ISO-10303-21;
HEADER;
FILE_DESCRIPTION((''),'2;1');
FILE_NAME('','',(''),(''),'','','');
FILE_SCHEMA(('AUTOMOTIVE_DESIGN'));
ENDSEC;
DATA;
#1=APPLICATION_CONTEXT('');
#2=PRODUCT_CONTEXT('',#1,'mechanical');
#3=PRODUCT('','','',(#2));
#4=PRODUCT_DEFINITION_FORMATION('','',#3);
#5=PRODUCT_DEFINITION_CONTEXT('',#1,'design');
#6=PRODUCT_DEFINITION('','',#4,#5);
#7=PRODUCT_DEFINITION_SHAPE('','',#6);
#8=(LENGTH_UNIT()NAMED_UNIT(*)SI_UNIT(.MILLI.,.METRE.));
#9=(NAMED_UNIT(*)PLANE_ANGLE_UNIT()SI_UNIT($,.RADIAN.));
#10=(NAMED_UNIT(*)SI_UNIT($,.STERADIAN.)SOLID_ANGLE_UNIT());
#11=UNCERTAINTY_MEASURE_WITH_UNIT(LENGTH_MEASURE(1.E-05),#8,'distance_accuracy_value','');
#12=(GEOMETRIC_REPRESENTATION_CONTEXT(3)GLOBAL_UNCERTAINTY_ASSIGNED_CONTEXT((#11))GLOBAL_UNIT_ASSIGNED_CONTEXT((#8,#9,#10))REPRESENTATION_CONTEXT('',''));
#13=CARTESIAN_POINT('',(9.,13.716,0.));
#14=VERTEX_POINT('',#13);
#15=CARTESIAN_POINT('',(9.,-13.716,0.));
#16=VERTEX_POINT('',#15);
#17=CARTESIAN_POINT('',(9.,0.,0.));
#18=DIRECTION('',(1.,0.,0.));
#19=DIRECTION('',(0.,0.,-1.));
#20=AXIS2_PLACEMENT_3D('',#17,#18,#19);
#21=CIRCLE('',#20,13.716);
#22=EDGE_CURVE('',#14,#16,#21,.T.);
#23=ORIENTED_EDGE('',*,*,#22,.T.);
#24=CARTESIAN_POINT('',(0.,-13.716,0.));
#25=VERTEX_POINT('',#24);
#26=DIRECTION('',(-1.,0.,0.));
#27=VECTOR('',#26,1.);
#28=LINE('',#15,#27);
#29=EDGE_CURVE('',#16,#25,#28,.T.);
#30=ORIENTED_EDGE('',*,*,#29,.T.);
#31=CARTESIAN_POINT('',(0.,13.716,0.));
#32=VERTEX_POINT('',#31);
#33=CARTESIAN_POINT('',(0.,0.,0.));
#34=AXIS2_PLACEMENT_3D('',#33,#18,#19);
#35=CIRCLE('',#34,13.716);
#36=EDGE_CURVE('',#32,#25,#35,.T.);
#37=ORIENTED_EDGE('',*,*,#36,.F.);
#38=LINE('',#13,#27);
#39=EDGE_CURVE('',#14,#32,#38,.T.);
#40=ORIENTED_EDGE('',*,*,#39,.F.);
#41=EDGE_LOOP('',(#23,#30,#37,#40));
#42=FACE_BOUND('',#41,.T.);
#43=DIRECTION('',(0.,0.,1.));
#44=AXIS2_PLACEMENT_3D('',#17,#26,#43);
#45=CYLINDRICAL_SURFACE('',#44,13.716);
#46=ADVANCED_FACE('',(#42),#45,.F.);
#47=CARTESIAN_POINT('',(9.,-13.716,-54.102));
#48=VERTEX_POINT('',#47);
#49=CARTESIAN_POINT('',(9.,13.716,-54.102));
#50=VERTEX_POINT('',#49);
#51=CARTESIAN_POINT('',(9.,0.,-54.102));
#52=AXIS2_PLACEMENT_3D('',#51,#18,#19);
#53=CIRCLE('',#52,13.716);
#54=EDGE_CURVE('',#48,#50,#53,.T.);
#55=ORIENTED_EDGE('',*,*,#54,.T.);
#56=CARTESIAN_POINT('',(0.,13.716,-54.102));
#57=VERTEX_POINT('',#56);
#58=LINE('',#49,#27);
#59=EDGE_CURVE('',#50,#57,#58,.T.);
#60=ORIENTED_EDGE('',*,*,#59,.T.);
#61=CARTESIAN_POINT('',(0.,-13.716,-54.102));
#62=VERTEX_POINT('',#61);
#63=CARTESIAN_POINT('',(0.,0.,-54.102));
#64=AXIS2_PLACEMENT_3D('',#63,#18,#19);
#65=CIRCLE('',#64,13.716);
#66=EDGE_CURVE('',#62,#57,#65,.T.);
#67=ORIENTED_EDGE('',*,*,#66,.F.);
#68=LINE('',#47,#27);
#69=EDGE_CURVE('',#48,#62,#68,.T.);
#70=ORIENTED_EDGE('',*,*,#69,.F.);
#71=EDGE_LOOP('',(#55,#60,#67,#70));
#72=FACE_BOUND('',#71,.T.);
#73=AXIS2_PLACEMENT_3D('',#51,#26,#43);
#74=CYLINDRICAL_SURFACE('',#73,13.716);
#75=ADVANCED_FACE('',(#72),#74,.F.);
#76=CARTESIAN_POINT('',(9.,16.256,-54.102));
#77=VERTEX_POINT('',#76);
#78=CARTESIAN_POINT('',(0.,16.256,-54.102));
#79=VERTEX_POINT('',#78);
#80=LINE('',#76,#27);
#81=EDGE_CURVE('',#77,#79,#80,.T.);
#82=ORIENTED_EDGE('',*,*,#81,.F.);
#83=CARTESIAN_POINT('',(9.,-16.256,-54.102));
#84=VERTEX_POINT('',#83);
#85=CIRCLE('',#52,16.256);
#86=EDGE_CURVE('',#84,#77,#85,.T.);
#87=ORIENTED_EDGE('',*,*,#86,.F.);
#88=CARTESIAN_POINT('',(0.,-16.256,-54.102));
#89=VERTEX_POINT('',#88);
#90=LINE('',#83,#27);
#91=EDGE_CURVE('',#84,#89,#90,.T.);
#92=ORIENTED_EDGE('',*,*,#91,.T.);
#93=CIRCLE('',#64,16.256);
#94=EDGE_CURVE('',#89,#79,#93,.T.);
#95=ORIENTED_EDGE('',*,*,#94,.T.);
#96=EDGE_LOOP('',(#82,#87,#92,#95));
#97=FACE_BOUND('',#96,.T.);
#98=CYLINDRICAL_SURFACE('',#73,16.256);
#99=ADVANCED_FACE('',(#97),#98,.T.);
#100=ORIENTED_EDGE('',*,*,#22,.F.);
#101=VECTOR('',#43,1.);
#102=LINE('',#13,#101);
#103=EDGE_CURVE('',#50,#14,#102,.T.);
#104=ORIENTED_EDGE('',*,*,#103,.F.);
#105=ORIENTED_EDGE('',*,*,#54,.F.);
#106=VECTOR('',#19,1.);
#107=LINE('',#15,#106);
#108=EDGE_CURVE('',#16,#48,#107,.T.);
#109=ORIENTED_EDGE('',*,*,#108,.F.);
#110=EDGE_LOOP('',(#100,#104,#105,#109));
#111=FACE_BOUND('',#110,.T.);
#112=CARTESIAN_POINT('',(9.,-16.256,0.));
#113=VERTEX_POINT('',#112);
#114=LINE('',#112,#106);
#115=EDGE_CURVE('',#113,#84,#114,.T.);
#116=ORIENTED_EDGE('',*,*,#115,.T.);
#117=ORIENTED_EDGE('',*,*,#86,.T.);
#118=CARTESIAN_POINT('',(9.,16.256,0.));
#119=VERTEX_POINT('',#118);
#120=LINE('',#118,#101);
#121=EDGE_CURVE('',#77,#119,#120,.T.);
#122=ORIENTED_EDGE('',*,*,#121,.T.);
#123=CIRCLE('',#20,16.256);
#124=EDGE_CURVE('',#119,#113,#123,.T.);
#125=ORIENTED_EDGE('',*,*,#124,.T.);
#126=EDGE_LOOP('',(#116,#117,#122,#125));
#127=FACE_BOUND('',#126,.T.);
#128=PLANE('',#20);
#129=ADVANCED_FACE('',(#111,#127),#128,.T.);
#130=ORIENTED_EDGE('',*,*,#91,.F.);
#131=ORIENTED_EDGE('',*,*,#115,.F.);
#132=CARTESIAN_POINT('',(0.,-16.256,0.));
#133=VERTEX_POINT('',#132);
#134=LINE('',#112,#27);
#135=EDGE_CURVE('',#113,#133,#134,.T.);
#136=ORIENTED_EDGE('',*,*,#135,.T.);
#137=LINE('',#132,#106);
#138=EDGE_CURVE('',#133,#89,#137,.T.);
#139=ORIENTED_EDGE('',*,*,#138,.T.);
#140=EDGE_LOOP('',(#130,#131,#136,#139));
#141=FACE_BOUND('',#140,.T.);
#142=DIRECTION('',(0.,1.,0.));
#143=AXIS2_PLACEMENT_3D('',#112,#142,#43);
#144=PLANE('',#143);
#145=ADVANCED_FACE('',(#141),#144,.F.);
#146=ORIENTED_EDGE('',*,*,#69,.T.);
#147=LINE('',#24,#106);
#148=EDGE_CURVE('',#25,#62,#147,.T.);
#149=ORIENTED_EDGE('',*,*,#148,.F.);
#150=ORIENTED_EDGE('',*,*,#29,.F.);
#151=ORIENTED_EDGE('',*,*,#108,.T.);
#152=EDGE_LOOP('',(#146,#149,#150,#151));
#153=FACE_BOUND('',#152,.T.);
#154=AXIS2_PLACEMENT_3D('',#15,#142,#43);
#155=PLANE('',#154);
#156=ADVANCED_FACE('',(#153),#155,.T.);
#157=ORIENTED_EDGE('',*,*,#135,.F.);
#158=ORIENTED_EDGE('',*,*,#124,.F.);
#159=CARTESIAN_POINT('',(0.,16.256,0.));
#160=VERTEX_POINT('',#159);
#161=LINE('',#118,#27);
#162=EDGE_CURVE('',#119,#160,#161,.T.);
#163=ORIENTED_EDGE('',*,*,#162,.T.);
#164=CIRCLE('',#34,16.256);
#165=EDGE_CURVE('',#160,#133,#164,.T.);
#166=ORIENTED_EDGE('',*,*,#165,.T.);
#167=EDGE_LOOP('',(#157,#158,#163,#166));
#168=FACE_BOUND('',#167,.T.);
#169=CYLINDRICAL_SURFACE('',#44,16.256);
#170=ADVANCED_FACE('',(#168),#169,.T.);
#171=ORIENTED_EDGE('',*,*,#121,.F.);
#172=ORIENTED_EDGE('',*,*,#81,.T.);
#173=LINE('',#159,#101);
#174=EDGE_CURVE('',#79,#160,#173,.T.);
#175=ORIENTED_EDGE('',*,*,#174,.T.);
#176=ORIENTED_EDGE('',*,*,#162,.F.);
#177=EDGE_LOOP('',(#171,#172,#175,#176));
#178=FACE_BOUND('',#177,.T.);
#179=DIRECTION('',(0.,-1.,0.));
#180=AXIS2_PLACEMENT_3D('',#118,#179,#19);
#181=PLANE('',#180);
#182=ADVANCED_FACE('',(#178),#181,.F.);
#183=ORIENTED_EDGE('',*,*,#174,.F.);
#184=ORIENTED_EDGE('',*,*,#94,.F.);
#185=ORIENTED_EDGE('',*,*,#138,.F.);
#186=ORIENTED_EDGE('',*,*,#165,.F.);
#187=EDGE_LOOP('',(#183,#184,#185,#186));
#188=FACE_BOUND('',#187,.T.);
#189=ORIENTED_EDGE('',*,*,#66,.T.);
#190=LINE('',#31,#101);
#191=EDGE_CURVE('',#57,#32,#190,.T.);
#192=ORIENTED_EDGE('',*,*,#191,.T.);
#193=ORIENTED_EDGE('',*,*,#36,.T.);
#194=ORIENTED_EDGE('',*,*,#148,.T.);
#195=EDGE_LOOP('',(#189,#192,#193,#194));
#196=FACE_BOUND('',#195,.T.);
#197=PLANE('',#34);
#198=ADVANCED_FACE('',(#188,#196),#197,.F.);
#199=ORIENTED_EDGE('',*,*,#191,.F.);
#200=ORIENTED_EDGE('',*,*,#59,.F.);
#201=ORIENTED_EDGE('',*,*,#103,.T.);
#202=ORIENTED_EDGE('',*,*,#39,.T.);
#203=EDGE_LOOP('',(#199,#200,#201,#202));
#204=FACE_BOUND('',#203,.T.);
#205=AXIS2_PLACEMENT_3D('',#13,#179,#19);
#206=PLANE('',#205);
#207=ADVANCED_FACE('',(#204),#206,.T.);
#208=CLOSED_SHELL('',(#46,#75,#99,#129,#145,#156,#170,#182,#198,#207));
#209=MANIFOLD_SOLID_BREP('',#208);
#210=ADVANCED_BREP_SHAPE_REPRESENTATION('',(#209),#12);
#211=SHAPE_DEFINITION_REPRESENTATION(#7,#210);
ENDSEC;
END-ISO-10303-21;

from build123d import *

# Parameters (mm, degrees)
EXTRUDE_THIN1_DEPTH = 9


with BuildPart() as part:
    # Sketch1 → Extrude-Thin1 (new body)
    with BuildSketch(Plane(origin=(0, 0, 0), x_dir=(0, 0, -1), z_dir=(1, 0, 0))):
        with BuildLine():
            Line((54.102, -16.256), (0, -16.256))
            ThreePointArc((0, -16.256), (-16.256, 0), (0, 16.256))
            Line((0, 16.256), (54.102, 16.256))
            ThreePointArc((54.102, 16.256), (70.358, 0), (54.102, -16.256))
        make_face()
        with BuildLine():
            Line((54.102, -13.716), (0, -13.716))
            ThreePointArc((0, -13.716), (-13.716, 0), (0, 13.716))
            Line((0, 13.716), (54.102, 13.716))
            ThreePointArc((54.102, 13.716), (67.818, 0), (54.102, -13.716))
        make_face(mode=Mode.SUBTRACT)
    extrude(amount=EXTRUDE_THIN1_DEPTH)


solid = part.part
